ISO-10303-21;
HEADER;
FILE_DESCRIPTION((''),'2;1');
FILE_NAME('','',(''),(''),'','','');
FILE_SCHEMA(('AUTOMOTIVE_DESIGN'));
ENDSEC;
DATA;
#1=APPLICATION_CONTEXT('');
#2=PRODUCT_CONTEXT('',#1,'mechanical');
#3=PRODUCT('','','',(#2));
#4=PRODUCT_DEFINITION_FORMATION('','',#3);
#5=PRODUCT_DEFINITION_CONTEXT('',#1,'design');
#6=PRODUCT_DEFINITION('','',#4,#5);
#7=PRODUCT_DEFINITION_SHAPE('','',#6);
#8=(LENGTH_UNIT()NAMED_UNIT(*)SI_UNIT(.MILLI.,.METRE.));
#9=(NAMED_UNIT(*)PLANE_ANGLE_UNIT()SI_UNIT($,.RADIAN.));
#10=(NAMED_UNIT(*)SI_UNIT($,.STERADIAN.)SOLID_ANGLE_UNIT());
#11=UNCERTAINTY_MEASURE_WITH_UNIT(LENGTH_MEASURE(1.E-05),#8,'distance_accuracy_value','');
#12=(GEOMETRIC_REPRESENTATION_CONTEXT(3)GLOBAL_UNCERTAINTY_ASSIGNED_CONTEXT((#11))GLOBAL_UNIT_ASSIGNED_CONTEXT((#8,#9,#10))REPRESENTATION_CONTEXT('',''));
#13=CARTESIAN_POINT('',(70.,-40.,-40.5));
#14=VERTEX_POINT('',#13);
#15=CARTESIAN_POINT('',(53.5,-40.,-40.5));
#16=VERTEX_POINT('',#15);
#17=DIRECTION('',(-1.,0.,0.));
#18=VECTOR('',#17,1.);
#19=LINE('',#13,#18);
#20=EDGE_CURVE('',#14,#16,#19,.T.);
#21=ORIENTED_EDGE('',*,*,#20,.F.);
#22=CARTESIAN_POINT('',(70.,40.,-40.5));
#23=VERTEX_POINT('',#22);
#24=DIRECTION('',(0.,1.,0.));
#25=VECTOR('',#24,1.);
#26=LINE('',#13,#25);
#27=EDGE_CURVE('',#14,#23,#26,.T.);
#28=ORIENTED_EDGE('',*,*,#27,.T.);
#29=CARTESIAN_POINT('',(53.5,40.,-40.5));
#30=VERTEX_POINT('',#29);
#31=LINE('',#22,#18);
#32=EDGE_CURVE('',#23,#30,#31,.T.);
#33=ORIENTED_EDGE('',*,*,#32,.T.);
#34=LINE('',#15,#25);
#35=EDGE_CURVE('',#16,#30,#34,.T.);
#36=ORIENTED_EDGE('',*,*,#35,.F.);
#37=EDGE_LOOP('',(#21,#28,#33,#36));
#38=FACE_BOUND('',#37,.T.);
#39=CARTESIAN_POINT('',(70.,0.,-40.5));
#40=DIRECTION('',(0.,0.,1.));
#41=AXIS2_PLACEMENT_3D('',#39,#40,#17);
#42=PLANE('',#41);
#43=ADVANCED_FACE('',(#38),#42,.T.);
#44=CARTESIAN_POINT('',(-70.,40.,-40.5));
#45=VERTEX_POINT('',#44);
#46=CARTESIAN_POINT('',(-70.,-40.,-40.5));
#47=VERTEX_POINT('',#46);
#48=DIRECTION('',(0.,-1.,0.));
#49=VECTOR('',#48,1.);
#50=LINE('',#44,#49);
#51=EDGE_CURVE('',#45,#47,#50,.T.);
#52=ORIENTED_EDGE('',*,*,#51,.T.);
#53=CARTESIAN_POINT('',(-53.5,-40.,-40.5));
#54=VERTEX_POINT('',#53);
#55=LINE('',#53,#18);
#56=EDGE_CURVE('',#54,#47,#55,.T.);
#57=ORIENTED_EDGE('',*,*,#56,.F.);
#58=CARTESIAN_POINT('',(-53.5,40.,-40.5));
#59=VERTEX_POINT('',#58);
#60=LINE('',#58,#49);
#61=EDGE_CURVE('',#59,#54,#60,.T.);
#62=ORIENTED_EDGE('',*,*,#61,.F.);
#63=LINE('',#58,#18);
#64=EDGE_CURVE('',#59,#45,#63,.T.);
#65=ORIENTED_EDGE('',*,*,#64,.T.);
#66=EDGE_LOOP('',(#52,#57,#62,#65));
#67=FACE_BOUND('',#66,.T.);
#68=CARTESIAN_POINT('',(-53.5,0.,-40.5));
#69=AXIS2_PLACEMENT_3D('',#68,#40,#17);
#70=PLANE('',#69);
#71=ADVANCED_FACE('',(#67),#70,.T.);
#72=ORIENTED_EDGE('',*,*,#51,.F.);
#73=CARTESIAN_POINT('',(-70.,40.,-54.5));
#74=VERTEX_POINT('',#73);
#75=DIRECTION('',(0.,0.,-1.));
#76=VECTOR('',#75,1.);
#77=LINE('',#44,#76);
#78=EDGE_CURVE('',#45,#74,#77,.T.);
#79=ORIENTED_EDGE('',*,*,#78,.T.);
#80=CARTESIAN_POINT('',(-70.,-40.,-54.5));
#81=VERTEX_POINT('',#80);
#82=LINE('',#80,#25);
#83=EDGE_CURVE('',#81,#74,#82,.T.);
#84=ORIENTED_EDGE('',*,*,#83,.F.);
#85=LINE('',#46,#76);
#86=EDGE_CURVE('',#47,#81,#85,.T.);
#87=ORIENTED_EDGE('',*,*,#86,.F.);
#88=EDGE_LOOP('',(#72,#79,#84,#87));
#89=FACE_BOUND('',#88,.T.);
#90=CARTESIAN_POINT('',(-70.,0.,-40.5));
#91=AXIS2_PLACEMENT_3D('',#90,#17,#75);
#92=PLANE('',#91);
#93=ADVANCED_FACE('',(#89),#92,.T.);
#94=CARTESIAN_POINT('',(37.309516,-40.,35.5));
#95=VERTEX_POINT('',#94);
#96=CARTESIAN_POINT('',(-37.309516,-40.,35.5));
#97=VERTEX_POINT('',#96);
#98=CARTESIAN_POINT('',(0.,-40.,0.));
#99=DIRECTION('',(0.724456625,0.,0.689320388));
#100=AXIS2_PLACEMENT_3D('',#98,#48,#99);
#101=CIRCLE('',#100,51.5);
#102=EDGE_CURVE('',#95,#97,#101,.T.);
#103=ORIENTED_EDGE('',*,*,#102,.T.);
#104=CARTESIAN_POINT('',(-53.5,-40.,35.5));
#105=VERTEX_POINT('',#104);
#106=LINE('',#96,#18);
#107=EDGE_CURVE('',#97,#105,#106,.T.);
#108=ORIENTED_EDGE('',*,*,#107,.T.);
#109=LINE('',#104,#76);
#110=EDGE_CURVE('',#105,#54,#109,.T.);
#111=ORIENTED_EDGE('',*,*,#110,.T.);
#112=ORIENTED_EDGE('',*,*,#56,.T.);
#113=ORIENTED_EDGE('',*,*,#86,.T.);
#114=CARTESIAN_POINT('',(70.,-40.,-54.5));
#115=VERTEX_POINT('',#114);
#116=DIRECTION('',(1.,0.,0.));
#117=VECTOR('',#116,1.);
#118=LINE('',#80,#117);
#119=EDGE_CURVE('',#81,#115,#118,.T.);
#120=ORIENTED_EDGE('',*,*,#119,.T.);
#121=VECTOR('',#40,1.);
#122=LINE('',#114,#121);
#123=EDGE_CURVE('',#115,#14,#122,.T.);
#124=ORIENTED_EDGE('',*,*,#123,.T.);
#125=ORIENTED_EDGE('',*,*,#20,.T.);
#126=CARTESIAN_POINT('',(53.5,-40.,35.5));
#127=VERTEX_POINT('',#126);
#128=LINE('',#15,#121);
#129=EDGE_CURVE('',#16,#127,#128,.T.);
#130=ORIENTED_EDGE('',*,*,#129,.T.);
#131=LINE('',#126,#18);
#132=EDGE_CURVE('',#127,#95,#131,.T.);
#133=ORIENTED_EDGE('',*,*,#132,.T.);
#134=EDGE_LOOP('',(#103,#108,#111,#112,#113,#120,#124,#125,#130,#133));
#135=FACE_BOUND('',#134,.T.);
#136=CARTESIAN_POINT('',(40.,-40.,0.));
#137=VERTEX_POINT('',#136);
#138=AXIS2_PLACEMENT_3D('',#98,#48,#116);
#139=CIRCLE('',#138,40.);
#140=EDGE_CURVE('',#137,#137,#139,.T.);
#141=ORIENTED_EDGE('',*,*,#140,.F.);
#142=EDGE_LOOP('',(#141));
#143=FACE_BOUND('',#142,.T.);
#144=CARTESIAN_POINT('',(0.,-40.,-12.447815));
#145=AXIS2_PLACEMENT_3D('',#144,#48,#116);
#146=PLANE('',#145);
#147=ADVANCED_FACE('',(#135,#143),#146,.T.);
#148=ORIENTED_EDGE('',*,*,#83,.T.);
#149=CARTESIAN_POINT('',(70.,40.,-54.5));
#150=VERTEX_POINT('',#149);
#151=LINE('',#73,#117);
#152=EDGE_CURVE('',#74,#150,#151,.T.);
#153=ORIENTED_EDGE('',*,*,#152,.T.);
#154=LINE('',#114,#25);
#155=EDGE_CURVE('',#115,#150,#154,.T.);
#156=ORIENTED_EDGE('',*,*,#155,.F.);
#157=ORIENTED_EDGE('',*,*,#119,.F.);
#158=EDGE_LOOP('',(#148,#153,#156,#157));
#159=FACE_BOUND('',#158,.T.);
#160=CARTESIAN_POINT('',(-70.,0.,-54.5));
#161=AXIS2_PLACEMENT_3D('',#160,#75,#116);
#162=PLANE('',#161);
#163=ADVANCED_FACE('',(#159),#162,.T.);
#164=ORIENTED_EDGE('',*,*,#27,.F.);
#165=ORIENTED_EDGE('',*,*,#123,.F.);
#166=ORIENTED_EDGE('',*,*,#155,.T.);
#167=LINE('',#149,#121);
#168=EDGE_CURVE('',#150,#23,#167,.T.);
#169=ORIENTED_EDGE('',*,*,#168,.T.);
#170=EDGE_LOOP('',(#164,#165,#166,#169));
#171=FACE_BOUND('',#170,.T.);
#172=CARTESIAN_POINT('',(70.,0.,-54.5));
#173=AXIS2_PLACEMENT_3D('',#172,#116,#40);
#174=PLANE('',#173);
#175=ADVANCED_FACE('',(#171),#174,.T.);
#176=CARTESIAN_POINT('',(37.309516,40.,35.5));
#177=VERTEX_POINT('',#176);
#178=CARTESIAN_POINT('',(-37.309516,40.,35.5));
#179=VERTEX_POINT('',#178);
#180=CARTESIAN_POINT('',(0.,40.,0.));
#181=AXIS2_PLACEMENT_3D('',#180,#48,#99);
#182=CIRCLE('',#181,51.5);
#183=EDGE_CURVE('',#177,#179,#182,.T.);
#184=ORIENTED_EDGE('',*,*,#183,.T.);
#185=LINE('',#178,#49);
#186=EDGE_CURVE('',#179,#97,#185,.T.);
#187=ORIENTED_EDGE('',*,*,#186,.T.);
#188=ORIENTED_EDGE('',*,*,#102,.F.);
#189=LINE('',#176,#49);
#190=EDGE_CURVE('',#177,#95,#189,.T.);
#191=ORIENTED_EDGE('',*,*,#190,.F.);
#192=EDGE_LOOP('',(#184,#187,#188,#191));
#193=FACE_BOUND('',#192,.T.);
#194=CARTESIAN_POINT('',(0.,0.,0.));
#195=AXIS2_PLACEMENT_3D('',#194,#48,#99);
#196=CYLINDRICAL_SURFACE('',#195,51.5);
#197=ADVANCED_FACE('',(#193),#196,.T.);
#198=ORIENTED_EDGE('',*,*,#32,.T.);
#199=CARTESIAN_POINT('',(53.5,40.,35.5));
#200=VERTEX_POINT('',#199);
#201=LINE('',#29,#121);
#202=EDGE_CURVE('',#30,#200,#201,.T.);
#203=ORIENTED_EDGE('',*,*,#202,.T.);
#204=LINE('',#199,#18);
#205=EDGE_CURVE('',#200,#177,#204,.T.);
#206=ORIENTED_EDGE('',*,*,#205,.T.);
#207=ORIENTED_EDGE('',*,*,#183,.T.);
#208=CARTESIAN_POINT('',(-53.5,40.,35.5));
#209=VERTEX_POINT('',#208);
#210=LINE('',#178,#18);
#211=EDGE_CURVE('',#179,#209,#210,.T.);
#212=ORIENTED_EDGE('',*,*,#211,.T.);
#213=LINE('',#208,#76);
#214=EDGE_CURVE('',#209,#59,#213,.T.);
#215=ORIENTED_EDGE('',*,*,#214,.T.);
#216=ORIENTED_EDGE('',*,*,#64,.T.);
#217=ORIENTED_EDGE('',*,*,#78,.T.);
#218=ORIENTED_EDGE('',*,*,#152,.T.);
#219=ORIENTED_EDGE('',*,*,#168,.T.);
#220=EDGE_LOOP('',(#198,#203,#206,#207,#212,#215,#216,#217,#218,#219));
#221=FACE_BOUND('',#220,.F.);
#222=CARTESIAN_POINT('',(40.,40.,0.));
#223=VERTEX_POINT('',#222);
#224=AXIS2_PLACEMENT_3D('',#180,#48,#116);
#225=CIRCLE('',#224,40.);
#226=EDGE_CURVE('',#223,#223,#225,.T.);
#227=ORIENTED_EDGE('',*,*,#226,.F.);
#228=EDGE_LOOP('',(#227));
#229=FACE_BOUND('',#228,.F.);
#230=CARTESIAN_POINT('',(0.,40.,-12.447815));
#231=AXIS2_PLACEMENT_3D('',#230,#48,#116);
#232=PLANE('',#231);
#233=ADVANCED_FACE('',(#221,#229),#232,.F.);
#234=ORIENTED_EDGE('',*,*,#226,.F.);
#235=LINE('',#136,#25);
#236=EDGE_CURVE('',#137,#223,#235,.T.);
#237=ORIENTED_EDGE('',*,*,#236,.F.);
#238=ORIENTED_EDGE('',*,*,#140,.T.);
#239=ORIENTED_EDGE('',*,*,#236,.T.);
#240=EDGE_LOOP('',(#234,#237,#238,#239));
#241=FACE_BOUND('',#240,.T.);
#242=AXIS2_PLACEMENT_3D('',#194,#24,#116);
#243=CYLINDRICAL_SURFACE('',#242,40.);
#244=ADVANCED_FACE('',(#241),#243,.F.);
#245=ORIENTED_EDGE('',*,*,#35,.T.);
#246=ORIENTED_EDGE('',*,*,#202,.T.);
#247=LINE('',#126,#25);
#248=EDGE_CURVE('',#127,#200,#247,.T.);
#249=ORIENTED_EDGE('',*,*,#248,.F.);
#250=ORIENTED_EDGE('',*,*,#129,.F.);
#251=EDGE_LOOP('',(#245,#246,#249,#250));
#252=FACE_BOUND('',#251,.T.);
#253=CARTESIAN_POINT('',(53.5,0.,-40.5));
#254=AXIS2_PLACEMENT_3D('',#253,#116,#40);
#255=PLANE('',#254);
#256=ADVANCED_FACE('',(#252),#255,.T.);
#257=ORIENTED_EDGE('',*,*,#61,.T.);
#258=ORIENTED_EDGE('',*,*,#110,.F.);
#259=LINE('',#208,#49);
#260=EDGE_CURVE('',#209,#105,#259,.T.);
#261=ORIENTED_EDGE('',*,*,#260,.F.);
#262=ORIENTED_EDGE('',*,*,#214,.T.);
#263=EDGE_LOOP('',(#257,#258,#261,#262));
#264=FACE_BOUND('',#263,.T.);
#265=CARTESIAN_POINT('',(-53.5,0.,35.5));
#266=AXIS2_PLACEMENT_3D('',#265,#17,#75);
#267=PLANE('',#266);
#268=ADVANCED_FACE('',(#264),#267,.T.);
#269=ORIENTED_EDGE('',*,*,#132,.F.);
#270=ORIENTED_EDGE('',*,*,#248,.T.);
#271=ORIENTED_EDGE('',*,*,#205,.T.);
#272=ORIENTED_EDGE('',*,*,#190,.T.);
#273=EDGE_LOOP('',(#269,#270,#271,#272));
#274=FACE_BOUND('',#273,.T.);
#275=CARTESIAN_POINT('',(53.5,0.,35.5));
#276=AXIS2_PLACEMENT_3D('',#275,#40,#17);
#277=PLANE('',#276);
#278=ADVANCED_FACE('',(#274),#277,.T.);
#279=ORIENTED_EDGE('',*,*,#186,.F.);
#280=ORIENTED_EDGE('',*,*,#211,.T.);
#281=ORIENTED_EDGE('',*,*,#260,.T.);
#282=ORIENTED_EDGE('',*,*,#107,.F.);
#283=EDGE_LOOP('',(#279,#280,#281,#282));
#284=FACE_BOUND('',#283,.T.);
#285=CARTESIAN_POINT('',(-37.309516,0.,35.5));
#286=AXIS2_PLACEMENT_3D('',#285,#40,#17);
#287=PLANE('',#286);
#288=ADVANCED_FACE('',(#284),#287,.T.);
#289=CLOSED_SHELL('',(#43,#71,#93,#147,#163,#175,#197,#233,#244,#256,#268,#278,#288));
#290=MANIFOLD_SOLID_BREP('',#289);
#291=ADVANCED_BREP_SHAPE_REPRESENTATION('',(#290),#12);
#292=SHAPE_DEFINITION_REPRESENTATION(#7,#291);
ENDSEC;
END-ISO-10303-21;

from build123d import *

# Parameters (mm, degrees)
F0_R     = 40
F1_DEPTH = 40


with BuildPart() as f1:
    # F0 (on Front) → F1 (new body, symmetric)
    with BuildSketch(Plane.XZ):
        with BuildLine():
            Line((53.5, 35.5), (37.3095162124, 35.5))
            ThreePointArc((37.3095162124, 35.5), (0, 51.5), (-37.3095162124, 35.5))
            Line((-37.3095162124, 35.5), (-53.5, 35.5))
            Line((-53.5, 35.5), (-53.5, -40.5))
            Line((-53.5, -40.5), (-70, -40.5))
            Line((-70, -40.5), (-70, -54.5))
            Line((-70, -54.5), (70, -54.5))
            Line((70, -54.5), (70, -40.5))
            Line((70, -40.5), (53.5, -40.5))
            Line((53.5, -40.5), (53.5, 35.5))
        make_face()
        Circle(F0_R, mode=Mode.SUBTRACT)
    extrude(amount=F1_DEPTH, both=True)


solid = f1.part
